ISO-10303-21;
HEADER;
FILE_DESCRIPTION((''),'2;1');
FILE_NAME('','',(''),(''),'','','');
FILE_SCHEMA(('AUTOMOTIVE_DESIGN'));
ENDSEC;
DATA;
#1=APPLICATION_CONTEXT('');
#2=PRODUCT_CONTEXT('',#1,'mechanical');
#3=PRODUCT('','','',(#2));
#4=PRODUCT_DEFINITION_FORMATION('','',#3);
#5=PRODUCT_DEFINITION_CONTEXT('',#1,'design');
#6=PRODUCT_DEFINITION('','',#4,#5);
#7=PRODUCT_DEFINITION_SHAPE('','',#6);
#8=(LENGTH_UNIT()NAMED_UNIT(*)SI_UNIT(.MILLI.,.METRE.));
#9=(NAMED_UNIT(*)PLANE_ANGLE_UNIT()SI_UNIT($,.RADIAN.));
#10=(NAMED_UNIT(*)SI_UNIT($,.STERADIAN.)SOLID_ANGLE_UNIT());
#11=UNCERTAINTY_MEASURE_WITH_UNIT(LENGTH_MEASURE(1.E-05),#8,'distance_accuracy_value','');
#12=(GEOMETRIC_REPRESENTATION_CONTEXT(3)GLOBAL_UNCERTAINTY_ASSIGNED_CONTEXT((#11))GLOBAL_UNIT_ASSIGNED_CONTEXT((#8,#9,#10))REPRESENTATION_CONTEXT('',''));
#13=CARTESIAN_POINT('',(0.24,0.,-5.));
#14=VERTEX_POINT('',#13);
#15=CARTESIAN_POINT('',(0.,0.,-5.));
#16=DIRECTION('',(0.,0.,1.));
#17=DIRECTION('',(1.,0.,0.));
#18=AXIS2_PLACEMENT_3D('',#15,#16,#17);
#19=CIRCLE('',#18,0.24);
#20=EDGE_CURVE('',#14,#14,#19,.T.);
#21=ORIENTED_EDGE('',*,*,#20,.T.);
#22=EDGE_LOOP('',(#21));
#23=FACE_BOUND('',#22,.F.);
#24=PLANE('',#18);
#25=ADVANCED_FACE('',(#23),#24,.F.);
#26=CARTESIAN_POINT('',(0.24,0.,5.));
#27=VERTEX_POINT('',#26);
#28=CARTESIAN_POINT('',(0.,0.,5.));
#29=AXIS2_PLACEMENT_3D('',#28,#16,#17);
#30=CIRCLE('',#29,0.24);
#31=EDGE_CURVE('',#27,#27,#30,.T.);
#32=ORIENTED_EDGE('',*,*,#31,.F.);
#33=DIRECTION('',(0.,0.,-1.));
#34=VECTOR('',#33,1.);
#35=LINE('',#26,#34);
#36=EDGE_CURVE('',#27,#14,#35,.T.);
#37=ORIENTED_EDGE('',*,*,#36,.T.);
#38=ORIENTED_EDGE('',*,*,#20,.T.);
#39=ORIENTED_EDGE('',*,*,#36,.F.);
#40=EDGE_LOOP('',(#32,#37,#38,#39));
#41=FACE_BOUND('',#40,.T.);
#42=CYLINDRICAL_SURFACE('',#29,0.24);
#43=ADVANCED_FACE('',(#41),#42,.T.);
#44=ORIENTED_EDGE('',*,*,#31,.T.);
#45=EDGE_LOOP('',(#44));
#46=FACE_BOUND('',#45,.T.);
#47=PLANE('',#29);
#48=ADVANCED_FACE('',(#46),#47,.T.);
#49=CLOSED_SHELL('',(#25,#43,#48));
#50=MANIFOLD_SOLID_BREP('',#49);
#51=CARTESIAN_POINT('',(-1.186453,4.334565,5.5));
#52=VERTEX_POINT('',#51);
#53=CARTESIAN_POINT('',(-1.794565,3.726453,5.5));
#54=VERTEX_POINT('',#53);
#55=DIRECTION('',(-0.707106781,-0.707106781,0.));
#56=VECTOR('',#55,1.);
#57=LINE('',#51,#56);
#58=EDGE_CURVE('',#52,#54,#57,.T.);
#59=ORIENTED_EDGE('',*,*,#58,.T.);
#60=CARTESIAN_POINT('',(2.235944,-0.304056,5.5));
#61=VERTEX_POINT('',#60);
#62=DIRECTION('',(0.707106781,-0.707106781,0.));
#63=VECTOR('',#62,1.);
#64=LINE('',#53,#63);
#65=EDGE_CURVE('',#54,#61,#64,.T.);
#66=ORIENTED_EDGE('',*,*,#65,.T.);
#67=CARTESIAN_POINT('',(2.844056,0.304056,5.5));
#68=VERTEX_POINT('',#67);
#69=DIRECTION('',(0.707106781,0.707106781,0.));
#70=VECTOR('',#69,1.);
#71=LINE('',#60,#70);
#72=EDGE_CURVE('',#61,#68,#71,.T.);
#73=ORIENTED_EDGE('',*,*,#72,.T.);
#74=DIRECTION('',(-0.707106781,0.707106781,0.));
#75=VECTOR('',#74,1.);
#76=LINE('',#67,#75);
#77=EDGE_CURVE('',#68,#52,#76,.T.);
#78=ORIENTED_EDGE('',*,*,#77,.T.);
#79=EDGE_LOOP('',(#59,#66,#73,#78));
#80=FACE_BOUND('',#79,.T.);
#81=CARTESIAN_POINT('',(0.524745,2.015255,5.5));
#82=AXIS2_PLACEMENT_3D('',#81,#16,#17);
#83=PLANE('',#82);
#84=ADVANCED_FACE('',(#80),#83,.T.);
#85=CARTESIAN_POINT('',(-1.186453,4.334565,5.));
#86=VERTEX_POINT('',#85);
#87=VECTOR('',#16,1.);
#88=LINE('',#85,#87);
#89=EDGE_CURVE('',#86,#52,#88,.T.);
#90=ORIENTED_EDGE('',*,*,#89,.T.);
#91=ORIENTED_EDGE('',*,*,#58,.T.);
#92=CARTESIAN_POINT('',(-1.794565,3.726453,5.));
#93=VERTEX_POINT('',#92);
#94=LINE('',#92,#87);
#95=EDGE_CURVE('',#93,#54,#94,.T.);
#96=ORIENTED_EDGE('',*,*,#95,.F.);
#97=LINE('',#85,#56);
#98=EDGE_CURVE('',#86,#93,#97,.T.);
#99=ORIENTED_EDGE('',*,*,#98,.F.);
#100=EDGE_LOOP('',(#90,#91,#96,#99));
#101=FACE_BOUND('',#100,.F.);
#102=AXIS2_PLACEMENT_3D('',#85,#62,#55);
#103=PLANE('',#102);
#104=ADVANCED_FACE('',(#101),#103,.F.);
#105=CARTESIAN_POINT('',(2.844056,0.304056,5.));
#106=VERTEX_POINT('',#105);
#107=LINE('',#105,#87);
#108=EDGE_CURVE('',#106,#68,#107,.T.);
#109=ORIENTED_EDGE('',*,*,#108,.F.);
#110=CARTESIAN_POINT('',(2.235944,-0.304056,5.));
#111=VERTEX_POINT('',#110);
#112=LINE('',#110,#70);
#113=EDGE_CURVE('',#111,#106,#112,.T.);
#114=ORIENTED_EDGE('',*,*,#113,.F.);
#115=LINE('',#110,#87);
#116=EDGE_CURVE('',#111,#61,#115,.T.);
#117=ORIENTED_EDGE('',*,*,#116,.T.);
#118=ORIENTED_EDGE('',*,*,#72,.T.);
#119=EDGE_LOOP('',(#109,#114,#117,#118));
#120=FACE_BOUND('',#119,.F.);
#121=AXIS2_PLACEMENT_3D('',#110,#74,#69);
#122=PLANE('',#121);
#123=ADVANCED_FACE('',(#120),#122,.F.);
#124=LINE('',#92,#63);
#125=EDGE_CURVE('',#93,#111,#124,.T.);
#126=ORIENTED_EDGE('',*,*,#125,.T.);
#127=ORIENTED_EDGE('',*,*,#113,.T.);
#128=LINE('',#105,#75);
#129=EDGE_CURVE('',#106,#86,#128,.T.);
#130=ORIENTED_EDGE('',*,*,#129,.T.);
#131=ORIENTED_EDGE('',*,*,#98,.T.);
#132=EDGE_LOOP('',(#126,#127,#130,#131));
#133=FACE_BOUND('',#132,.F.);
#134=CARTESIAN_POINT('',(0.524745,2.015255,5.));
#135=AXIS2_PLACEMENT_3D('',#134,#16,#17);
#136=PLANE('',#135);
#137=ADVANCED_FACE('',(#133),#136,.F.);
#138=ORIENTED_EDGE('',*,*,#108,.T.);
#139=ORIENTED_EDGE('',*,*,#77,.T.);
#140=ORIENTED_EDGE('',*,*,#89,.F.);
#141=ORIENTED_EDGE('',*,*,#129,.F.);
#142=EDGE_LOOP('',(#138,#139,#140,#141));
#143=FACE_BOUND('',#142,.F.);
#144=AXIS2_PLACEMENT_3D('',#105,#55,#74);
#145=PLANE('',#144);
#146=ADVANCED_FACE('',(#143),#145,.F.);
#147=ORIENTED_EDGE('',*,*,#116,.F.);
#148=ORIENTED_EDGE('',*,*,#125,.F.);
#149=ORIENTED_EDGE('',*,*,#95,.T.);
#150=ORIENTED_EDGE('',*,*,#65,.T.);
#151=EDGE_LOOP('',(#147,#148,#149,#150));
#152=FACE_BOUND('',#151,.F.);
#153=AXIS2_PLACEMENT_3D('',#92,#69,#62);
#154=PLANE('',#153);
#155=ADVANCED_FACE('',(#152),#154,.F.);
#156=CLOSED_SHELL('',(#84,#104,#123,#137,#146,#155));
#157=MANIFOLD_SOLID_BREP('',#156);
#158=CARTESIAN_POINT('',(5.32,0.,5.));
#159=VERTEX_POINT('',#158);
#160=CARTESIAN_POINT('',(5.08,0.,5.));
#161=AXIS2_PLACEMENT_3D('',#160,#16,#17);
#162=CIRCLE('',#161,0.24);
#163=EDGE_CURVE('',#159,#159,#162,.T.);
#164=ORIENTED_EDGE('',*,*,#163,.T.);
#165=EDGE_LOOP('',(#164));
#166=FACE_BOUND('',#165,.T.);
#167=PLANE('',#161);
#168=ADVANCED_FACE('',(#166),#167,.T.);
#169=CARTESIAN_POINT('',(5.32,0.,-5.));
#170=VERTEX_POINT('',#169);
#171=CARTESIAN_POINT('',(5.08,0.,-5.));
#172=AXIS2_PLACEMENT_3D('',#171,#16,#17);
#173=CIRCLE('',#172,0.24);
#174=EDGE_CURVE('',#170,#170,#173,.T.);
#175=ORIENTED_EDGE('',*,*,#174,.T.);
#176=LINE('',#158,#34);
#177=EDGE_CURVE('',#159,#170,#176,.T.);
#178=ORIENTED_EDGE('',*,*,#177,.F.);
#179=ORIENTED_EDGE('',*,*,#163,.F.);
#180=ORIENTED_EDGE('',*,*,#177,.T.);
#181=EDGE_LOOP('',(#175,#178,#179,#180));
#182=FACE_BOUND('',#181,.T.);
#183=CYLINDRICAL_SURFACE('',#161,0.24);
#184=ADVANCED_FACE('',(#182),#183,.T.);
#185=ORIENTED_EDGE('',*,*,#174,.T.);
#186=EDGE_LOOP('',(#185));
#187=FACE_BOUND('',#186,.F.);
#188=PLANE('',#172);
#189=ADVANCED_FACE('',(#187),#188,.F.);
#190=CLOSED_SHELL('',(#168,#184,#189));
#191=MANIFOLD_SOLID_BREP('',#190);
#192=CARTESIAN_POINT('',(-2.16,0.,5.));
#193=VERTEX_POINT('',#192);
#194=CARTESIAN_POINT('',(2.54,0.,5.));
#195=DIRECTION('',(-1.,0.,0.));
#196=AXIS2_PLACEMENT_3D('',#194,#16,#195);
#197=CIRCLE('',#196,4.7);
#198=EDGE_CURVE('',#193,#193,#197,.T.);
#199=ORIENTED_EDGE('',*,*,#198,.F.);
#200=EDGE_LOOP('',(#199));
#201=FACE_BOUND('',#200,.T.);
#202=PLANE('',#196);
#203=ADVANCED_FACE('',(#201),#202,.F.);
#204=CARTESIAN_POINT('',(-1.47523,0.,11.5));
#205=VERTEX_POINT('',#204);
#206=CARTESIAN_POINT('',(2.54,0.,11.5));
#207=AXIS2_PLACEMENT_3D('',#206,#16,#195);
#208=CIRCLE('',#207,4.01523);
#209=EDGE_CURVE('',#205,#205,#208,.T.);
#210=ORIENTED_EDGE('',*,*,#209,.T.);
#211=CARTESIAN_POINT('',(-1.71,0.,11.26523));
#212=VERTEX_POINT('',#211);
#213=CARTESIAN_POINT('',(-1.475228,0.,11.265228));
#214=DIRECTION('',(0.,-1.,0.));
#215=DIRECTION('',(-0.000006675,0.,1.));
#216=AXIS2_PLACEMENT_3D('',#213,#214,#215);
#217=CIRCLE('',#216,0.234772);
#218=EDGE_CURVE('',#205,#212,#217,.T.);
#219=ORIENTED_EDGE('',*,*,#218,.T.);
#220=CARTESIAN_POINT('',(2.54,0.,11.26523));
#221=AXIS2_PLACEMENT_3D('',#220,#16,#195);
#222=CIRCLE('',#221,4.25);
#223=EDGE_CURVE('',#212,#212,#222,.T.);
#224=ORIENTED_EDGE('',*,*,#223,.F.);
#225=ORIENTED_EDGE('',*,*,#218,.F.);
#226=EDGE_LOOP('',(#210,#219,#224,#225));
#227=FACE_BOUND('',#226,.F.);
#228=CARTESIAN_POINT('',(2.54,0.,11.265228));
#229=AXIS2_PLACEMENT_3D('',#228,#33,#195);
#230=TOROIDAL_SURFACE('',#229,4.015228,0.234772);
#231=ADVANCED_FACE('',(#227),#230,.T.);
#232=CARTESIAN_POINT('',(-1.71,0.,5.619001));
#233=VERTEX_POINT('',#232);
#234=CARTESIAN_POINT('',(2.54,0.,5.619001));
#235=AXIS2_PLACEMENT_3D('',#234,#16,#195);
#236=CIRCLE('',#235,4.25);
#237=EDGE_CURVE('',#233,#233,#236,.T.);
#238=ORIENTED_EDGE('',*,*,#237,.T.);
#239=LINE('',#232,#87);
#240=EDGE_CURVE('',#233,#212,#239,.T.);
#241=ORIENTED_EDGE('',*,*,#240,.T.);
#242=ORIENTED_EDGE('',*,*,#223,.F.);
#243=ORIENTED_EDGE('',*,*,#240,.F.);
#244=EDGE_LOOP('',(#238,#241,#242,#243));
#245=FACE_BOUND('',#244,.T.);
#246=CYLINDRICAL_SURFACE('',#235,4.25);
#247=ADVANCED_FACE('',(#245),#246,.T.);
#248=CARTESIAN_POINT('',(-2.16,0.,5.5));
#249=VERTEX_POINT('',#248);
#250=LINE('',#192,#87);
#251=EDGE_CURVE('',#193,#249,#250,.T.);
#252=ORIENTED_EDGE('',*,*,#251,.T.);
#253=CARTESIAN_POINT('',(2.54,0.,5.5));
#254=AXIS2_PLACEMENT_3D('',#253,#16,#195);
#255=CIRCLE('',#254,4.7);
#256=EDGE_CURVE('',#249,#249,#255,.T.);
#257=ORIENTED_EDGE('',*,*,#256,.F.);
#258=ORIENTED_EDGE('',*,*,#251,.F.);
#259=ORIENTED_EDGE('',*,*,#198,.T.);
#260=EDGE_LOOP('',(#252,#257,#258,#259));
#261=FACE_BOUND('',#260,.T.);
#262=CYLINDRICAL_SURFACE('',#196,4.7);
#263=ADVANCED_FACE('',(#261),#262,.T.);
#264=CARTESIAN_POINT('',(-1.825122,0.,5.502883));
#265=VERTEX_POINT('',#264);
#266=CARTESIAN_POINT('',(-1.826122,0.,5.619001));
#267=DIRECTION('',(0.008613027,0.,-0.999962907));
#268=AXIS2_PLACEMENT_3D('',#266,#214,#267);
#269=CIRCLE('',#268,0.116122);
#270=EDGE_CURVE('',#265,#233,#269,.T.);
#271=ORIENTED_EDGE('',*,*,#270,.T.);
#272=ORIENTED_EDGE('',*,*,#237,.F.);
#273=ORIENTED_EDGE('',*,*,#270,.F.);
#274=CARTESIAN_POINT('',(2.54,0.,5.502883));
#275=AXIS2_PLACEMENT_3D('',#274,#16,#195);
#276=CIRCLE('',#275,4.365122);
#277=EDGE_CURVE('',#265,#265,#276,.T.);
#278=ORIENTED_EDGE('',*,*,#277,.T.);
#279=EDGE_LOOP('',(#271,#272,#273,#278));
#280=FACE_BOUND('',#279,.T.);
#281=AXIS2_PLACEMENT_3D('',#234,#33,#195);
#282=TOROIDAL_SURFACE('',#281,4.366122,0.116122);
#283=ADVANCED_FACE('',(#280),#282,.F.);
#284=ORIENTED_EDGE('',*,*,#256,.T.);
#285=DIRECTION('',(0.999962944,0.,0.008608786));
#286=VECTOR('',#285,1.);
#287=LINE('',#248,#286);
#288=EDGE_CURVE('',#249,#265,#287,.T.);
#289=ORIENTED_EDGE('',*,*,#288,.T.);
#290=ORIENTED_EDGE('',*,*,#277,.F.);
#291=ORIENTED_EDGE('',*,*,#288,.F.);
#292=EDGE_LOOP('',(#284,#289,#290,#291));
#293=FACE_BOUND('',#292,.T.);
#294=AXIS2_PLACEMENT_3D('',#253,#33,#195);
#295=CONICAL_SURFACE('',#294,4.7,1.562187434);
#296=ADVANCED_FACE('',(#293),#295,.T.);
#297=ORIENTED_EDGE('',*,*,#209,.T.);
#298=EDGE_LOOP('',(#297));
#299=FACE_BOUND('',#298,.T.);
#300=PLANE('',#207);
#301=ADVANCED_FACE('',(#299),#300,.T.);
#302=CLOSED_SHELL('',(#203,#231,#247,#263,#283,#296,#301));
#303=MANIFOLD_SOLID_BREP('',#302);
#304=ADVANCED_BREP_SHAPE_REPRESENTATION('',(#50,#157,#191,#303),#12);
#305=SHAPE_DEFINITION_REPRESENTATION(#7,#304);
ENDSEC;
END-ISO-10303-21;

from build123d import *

# Parameters (mm, degrees)
SKETCH_R     = 0.24
PAD_DEPTH    = 10
PAD003_DEPTH = 0.5


with BuildPart() as pad:
    # Sketch → Pad (new body)
    with BuildSketch(Plane.XY.offset(5)):
        Circle(SKETCH_R)
        with Locations((5.08, 0)):
            Circle(SKETCH_R)
    extrude(amount=-PAD_DEPTH)


with BuildPart() as revolution:
    # Sketch003 → Revolution (revolve)
    with BuildSketch(Plane.XZ):
        with BuildLine():
            Line((2.54, 5), (-2.16, 5))
            Line((-2.16, 5), (-2.16, 5.5))
            Line((-2.16, 5.5), (-1.825122, 5.502883))
            ThreePointArc((-1.825122, 5.502883), (-1.743659, 5.537244), (-1.71, 5.619001))
            Line((-1.71, 5.619001), (-1.71, 11.26523))
            ThreePointArc((-1.47523, 11.5), (-1.641237, 11.431237), (-1.71, 11.26523))
            Line((-1.47523, 11.5), (2.54, 11.5))
            Line((2.54, 11.5), (2.54, 5))
        make_face()
    revolve(axis=Axis((2.54, 0, 2.550668), (0, 0, 1)))


with BuildPart() as pad003:
    # Sketch004 → Pad003 (new body)
    with BuildSketch(Plane.XY.offset(5)):
        Polygon((2.844056, 0.304056), (-1.186453, 4.334565), (-1.794565, 3.726453), (2.235944, -0.304056), align=None)
    extrude(amount=PAD003_DEPTH)


solid = Compound([pad.part, revolution.part, pad003.part])
